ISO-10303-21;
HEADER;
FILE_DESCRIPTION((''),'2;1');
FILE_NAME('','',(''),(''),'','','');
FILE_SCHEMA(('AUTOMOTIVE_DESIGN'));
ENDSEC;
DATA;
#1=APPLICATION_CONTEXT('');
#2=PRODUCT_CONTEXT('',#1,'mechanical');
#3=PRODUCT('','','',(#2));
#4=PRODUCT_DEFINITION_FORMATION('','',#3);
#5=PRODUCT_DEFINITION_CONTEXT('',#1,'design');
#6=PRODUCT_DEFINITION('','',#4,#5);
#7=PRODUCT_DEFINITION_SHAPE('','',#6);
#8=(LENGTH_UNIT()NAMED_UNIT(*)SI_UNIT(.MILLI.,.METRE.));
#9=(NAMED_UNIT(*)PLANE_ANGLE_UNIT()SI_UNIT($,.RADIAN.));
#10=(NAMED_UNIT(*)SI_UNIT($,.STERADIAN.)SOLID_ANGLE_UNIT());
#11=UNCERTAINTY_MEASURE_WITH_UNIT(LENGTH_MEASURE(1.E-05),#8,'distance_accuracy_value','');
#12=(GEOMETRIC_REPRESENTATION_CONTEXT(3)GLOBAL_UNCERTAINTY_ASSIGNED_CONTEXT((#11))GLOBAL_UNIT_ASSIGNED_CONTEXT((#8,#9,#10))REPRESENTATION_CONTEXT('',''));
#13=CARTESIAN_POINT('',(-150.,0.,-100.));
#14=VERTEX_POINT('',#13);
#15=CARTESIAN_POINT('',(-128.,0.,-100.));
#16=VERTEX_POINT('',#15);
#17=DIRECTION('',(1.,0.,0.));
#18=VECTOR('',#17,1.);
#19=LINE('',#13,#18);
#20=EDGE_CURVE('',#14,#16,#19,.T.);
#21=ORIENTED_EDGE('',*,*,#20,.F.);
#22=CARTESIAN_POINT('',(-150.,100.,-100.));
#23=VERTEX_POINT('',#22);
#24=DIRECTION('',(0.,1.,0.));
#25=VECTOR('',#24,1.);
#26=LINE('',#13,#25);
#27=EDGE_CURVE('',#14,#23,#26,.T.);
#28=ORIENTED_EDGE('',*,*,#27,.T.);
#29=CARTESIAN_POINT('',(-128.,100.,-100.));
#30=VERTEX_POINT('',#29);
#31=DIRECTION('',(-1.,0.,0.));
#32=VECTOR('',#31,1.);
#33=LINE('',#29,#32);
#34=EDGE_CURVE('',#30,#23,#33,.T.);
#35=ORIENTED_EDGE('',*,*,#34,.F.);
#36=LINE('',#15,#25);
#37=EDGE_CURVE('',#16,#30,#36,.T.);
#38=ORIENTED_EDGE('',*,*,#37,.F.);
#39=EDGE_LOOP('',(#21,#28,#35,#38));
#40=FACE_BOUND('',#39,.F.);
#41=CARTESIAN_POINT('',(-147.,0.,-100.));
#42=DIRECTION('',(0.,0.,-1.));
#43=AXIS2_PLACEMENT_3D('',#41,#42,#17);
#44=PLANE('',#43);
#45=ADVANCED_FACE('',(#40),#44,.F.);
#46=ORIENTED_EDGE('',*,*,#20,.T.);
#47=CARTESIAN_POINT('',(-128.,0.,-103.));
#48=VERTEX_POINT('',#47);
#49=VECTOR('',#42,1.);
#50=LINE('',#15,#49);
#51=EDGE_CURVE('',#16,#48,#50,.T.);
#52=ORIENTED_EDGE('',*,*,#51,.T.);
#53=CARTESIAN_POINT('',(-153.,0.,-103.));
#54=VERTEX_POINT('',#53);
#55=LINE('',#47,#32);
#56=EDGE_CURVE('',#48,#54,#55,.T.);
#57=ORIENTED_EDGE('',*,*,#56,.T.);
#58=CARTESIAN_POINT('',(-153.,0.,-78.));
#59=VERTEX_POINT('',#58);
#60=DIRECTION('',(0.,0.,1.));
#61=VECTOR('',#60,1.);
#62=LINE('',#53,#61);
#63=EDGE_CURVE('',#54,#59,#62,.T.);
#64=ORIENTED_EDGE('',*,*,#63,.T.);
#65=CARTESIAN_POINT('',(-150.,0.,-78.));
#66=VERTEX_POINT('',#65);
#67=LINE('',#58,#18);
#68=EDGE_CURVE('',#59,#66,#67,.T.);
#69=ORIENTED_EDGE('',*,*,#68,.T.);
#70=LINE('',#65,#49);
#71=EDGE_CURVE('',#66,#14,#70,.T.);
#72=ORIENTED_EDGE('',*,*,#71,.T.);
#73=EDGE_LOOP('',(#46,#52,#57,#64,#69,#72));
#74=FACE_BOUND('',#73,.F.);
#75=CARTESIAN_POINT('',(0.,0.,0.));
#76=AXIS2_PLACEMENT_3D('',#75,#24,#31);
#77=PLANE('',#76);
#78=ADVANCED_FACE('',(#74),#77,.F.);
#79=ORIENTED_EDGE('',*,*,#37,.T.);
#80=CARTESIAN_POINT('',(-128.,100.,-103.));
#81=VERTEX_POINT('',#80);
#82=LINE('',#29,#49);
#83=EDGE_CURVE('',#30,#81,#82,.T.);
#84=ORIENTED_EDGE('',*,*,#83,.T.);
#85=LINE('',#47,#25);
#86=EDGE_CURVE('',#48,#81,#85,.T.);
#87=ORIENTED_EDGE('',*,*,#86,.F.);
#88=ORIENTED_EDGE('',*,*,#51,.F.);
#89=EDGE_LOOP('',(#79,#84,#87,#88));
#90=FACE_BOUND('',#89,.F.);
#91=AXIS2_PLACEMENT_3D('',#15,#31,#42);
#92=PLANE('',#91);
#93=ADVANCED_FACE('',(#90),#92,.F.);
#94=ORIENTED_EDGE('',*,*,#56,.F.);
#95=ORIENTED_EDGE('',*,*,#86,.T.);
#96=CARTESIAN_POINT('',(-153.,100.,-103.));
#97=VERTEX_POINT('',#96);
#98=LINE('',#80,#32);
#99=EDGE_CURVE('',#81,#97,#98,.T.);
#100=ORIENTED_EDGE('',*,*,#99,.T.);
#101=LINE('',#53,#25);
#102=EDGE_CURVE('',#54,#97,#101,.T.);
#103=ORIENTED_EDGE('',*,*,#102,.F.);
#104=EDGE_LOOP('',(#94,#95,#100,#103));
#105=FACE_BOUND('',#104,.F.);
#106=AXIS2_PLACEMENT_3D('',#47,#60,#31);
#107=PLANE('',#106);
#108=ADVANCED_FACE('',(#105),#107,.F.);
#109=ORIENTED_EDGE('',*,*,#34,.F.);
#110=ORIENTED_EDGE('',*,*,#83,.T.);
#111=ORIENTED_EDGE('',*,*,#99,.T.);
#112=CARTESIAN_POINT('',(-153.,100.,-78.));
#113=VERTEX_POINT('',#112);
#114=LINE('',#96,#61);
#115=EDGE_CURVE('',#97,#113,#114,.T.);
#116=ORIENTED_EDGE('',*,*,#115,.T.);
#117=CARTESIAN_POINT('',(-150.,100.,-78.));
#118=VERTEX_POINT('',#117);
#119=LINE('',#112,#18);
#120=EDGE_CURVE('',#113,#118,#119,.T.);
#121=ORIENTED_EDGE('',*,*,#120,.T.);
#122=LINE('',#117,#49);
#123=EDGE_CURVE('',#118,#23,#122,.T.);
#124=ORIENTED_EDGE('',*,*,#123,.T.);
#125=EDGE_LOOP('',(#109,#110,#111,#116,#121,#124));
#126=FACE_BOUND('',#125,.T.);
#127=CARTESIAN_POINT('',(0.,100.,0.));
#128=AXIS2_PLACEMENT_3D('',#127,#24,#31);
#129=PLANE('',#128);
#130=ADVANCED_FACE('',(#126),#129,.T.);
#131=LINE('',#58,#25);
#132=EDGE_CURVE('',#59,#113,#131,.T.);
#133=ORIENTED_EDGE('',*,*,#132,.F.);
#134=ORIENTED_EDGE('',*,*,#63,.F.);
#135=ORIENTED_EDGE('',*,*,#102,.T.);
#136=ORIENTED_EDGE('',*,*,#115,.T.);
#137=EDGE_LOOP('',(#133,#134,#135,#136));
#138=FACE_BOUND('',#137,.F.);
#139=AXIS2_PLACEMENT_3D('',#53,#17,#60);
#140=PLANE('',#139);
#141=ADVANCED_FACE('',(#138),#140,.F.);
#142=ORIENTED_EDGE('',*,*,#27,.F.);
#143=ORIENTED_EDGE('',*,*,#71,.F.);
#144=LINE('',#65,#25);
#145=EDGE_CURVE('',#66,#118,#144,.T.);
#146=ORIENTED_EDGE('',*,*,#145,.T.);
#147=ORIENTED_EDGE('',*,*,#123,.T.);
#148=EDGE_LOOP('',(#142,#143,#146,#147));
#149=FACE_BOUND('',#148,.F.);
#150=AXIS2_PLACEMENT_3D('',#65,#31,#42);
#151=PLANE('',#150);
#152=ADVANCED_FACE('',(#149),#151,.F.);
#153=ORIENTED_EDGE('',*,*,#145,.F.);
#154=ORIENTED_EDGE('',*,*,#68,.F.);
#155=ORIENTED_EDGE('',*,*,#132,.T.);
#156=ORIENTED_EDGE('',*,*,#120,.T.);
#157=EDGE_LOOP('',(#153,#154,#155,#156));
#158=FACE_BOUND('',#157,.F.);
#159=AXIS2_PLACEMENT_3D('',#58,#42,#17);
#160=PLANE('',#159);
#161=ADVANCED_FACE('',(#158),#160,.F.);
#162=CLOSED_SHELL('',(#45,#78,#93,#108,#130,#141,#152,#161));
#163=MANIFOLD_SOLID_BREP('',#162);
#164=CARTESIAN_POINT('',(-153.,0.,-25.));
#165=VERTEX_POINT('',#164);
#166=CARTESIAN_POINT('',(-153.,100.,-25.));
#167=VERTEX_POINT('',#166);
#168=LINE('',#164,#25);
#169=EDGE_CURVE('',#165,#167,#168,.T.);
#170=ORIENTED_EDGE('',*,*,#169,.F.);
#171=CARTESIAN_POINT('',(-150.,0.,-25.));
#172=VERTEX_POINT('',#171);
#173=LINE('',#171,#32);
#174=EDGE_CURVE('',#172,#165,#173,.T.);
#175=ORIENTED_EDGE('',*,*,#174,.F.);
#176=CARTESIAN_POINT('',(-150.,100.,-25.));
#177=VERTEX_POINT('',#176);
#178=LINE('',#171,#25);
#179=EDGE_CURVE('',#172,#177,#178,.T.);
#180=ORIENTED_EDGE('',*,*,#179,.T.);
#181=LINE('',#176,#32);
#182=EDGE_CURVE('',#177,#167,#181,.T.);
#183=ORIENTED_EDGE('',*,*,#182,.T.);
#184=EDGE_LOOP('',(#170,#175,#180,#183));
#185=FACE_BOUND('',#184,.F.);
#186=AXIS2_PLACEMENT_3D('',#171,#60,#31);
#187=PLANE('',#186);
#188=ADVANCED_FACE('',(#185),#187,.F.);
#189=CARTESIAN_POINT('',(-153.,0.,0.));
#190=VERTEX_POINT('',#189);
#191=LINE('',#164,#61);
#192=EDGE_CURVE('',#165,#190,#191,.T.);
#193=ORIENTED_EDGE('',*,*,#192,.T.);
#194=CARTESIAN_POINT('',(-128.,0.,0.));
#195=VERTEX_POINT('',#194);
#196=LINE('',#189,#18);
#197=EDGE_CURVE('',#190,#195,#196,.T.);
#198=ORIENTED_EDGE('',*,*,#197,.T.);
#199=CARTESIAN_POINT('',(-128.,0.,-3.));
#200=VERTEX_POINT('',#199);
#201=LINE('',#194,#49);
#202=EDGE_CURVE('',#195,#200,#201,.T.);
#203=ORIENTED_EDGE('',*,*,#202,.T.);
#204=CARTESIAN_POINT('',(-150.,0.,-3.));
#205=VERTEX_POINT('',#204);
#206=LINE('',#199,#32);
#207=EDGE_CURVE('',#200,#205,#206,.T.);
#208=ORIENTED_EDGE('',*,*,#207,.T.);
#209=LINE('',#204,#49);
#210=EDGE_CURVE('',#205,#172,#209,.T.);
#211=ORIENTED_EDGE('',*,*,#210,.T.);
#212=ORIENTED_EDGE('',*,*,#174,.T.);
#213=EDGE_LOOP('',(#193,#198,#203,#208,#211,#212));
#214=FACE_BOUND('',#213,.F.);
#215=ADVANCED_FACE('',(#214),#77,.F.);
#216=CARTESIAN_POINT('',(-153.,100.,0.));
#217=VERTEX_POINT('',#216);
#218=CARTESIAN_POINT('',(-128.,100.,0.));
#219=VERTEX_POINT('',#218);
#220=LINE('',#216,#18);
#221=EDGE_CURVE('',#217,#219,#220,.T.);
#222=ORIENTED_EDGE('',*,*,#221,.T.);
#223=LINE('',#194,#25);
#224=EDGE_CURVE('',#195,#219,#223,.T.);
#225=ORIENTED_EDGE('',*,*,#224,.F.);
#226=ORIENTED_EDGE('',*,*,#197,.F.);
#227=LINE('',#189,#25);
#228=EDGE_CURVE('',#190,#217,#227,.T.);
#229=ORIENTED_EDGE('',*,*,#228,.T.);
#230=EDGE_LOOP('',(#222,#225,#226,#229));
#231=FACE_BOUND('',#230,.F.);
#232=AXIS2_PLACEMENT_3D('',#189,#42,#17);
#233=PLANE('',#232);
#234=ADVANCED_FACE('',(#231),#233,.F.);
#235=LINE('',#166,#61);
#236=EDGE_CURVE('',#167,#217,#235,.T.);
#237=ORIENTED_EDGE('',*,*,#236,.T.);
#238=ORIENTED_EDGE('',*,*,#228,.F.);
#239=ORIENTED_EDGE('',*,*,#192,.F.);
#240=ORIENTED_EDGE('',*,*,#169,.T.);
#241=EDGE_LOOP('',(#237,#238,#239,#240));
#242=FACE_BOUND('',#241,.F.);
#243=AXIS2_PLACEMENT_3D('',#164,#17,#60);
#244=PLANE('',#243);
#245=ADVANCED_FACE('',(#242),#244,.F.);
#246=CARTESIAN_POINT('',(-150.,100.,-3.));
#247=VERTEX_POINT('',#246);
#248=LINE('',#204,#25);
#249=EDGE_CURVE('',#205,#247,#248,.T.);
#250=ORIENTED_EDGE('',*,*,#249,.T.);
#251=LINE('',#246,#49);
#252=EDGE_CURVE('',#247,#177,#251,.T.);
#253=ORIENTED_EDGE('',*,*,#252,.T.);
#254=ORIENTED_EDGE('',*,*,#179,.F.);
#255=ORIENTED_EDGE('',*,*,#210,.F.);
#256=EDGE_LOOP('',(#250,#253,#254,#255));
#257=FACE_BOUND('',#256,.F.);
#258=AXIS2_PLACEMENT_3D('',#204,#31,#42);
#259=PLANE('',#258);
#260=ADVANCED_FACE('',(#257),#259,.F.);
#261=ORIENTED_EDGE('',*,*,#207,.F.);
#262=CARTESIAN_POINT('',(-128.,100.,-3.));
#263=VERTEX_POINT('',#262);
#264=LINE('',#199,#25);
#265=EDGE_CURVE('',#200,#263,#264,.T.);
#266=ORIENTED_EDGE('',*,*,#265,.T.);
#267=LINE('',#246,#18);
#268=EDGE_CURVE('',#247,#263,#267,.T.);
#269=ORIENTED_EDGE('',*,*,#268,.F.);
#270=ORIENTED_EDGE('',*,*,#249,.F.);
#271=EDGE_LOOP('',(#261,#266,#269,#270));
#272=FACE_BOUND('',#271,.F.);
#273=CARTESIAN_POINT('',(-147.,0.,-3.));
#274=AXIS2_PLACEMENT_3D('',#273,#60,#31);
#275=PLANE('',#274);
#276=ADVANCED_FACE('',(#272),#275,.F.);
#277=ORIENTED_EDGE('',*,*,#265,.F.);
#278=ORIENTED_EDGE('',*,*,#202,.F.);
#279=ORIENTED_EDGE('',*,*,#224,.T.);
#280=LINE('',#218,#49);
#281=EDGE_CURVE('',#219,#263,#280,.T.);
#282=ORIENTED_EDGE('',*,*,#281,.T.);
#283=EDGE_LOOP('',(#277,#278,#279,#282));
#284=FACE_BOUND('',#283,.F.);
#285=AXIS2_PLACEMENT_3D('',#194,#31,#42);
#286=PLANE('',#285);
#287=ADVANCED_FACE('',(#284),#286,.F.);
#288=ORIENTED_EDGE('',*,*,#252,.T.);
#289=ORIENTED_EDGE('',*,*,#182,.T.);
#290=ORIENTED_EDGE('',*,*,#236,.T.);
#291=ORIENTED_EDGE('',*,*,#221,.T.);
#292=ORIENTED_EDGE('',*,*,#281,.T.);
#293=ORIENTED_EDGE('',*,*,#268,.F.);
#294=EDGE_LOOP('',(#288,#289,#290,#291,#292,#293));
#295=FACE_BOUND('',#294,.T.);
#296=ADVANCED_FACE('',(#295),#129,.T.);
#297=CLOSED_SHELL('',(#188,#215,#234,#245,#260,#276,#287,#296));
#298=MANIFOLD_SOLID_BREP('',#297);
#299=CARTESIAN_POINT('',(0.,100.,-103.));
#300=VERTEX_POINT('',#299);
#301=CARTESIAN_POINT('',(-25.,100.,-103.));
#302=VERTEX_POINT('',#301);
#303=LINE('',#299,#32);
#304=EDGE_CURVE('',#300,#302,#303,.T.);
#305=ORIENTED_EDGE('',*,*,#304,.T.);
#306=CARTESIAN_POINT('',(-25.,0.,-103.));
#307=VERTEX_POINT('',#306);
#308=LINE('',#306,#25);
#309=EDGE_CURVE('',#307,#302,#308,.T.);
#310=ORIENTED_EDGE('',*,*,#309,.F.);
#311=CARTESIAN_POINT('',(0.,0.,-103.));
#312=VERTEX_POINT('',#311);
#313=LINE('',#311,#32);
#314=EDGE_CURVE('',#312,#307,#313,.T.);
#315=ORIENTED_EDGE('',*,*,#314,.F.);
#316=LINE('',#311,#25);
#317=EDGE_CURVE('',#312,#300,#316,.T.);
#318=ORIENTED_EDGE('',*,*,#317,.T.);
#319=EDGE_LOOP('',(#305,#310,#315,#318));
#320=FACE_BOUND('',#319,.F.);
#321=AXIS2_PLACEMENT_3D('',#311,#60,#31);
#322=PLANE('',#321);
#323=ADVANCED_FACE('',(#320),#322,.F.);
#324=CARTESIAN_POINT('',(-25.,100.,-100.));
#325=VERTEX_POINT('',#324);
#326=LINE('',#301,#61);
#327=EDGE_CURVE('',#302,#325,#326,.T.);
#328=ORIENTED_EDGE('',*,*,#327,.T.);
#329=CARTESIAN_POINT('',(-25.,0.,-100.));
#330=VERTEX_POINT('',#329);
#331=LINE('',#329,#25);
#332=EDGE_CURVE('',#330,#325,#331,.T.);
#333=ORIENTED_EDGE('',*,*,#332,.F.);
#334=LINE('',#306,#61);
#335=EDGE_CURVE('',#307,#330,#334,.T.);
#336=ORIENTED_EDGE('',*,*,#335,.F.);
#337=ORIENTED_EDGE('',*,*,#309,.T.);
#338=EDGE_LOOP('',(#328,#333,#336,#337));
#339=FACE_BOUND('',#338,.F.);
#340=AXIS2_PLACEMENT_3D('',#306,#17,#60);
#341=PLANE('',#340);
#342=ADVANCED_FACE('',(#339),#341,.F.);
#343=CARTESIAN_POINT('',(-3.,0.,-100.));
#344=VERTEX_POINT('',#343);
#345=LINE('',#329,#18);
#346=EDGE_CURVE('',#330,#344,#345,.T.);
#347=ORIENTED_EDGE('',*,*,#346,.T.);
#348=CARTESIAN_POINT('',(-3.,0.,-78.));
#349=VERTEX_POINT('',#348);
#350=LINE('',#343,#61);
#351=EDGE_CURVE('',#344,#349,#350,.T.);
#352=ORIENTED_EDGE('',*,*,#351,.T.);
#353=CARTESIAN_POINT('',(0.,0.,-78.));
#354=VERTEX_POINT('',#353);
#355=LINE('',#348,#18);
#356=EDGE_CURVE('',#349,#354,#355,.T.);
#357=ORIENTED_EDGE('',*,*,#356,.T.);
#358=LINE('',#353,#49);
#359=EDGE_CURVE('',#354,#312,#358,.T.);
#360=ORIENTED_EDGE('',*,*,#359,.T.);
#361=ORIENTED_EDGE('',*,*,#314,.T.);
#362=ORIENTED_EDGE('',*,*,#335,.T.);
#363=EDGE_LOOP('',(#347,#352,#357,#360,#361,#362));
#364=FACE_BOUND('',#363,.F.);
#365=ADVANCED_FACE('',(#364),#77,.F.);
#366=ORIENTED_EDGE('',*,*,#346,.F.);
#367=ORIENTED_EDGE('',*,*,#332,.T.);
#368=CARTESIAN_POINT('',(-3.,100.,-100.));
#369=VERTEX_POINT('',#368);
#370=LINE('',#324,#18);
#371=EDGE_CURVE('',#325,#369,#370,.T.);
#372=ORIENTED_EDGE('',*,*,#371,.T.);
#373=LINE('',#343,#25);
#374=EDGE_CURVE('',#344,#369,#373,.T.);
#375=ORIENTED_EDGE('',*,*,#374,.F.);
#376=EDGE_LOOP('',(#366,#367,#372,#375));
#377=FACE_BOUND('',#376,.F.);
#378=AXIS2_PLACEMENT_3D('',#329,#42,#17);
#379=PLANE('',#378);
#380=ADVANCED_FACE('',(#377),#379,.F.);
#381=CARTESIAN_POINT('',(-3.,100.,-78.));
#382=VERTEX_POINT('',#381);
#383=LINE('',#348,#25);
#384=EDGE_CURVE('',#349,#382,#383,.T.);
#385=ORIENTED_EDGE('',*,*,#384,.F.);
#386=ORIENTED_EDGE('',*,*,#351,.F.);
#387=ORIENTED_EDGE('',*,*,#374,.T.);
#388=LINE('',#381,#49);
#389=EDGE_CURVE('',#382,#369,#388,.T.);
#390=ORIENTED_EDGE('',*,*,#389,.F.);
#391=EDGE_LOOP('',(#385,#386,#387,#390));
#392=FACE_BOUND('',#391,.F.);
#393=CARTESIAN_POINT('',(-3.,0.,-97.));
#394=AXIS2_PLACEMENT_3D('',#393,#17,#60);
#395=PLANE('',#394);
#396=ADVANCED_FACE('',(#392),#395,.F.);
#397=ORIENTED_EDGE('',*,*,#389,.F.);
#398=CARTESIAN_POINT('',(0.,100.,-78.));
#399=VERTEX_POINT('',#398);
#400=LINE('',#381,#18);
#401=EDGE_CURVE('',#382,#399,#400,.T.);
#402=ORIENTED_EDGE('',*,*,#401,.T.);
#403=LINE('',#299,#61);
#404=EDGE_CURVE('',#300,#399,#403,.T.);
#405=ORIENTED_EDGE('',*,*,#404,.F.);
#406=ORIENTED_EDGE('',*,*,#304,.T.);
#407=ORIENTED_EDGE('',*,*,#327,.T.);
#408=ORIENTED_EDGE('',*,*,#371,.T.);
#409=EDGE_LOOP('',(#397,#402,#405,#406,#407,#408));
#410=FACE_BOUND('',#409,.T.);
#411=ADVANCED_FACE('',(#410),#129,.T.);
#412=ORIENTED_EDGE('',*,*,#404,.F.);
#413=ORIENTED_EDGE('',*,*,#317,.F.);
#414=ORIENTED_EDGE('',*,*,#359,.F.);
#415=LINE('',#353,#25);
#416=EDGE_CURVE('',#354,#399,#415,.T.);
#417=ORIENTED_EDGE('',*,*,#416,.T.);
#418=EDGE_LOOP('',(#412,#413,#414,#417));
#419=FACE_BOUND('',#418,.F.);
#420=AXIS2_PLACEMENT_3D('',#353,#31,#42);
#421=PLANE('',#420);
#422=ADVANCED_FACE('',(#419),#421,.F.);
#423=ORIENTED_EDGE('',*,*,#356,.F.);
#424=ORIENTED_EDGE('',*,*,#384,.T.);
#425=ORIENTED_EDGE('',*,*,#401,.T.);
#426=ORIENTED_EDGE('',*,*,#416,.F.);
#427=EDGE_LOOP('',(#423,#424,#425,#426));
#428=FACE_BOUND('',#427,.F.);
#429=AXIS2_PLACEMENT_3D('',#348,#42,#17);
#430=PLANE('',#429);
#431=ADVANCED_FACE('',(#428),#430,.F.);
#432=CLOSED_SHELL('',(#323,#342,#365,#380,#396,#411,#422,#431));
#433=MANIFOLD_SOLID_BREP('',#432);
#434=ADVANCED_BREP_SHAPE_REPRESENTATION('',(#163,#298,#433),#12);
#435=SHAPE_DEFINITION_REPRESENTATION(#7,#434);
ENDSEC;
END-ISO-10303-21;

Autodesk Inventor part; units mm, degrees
ref_plane "YZ Plane" through (0, 0, 0) normal (1, 0, 0) x (0, 1, 0)
ref_plane "XZ Plane" through (0, 0, 0) normal (0, 1, 0) x (-1, 0, 0)
ref_plane "XY Plane" through (0, 0, 0) normal (0, 0, 1) x (1, 0, 0)
sketch "Sketch1" plane through (0, 0, 0) normal (0, 1, 0) x (-1, 0, 0)
  line L0 (0, -100) -> (0, -103)
  line L1 (0, -103) -> (25, -103)
  line L2 (25, -103) -> (25, -100)
  line L3 (25, -100) -> (3, -100)
  line L4 (3, -100) -> (3, -78)
  line L5 (3, -78) -> (0, -78)
  line L6 (0, -78) -> (0, -100)
  line L7 (150, -100) -> (128, -100)
  line L8 (128, -100) -> (128, -103)
  line L9 (128, -103) -> (153, -103)
  line L10 (153, -103) -> (153, -78)
  line L11 (153, -78) -> (150, -78)
  line L12 (150, -78) -> (150, -100)
  line L13 (150, -3) -> (150, -25)
  line L14 (150, -25) -> (153, -25)
  line L15 (153, -25) -> (153, 0)
  line L16 (153, 0) -> (128, 0)
  line L17 (128, 0) -> (128, -3)
  line L18 (128, -3) -> (150, -3)
  line L19 (25, -103) -> (25, -100)
  line L20 (128, -100) -> (128, -103)
  line L21 (153, -78) -> (150, -78)
  line L22 (150, -25) -> (153, -25)
  line L23 (150, -3) -> (147, -3)
  line L24 (147, -100) -> (150, -100)
  line L25 (147, -100) -> (147, -97)
  line L26 (3, -97) -> (3, -100)
  point P0 (0, 0)
  dimension "d0" = 3
  dimension "d1" = 25
  dimension "d2" = 3
  dimension "d3" = 22
  dimension "d4" = 22
  dimension "d5" = 3
  dimension "d6" = 22
  dimension "d7" = 3
  dimension "d8" = 25
  dimension "d9" = 25
  dimension "d10" = 3
  dimension "d11" = 22
  dimension "d12" = 3
  dimension "d13" = 25
  dimension "d14" = 25
  dimension "d15" = 3
  dimension "d18" = 3
  dimension "d19" = 3
extrude "Extrusion1" add sketch "Sketch1" along normal blind 100
properties part number "slot pillars"
